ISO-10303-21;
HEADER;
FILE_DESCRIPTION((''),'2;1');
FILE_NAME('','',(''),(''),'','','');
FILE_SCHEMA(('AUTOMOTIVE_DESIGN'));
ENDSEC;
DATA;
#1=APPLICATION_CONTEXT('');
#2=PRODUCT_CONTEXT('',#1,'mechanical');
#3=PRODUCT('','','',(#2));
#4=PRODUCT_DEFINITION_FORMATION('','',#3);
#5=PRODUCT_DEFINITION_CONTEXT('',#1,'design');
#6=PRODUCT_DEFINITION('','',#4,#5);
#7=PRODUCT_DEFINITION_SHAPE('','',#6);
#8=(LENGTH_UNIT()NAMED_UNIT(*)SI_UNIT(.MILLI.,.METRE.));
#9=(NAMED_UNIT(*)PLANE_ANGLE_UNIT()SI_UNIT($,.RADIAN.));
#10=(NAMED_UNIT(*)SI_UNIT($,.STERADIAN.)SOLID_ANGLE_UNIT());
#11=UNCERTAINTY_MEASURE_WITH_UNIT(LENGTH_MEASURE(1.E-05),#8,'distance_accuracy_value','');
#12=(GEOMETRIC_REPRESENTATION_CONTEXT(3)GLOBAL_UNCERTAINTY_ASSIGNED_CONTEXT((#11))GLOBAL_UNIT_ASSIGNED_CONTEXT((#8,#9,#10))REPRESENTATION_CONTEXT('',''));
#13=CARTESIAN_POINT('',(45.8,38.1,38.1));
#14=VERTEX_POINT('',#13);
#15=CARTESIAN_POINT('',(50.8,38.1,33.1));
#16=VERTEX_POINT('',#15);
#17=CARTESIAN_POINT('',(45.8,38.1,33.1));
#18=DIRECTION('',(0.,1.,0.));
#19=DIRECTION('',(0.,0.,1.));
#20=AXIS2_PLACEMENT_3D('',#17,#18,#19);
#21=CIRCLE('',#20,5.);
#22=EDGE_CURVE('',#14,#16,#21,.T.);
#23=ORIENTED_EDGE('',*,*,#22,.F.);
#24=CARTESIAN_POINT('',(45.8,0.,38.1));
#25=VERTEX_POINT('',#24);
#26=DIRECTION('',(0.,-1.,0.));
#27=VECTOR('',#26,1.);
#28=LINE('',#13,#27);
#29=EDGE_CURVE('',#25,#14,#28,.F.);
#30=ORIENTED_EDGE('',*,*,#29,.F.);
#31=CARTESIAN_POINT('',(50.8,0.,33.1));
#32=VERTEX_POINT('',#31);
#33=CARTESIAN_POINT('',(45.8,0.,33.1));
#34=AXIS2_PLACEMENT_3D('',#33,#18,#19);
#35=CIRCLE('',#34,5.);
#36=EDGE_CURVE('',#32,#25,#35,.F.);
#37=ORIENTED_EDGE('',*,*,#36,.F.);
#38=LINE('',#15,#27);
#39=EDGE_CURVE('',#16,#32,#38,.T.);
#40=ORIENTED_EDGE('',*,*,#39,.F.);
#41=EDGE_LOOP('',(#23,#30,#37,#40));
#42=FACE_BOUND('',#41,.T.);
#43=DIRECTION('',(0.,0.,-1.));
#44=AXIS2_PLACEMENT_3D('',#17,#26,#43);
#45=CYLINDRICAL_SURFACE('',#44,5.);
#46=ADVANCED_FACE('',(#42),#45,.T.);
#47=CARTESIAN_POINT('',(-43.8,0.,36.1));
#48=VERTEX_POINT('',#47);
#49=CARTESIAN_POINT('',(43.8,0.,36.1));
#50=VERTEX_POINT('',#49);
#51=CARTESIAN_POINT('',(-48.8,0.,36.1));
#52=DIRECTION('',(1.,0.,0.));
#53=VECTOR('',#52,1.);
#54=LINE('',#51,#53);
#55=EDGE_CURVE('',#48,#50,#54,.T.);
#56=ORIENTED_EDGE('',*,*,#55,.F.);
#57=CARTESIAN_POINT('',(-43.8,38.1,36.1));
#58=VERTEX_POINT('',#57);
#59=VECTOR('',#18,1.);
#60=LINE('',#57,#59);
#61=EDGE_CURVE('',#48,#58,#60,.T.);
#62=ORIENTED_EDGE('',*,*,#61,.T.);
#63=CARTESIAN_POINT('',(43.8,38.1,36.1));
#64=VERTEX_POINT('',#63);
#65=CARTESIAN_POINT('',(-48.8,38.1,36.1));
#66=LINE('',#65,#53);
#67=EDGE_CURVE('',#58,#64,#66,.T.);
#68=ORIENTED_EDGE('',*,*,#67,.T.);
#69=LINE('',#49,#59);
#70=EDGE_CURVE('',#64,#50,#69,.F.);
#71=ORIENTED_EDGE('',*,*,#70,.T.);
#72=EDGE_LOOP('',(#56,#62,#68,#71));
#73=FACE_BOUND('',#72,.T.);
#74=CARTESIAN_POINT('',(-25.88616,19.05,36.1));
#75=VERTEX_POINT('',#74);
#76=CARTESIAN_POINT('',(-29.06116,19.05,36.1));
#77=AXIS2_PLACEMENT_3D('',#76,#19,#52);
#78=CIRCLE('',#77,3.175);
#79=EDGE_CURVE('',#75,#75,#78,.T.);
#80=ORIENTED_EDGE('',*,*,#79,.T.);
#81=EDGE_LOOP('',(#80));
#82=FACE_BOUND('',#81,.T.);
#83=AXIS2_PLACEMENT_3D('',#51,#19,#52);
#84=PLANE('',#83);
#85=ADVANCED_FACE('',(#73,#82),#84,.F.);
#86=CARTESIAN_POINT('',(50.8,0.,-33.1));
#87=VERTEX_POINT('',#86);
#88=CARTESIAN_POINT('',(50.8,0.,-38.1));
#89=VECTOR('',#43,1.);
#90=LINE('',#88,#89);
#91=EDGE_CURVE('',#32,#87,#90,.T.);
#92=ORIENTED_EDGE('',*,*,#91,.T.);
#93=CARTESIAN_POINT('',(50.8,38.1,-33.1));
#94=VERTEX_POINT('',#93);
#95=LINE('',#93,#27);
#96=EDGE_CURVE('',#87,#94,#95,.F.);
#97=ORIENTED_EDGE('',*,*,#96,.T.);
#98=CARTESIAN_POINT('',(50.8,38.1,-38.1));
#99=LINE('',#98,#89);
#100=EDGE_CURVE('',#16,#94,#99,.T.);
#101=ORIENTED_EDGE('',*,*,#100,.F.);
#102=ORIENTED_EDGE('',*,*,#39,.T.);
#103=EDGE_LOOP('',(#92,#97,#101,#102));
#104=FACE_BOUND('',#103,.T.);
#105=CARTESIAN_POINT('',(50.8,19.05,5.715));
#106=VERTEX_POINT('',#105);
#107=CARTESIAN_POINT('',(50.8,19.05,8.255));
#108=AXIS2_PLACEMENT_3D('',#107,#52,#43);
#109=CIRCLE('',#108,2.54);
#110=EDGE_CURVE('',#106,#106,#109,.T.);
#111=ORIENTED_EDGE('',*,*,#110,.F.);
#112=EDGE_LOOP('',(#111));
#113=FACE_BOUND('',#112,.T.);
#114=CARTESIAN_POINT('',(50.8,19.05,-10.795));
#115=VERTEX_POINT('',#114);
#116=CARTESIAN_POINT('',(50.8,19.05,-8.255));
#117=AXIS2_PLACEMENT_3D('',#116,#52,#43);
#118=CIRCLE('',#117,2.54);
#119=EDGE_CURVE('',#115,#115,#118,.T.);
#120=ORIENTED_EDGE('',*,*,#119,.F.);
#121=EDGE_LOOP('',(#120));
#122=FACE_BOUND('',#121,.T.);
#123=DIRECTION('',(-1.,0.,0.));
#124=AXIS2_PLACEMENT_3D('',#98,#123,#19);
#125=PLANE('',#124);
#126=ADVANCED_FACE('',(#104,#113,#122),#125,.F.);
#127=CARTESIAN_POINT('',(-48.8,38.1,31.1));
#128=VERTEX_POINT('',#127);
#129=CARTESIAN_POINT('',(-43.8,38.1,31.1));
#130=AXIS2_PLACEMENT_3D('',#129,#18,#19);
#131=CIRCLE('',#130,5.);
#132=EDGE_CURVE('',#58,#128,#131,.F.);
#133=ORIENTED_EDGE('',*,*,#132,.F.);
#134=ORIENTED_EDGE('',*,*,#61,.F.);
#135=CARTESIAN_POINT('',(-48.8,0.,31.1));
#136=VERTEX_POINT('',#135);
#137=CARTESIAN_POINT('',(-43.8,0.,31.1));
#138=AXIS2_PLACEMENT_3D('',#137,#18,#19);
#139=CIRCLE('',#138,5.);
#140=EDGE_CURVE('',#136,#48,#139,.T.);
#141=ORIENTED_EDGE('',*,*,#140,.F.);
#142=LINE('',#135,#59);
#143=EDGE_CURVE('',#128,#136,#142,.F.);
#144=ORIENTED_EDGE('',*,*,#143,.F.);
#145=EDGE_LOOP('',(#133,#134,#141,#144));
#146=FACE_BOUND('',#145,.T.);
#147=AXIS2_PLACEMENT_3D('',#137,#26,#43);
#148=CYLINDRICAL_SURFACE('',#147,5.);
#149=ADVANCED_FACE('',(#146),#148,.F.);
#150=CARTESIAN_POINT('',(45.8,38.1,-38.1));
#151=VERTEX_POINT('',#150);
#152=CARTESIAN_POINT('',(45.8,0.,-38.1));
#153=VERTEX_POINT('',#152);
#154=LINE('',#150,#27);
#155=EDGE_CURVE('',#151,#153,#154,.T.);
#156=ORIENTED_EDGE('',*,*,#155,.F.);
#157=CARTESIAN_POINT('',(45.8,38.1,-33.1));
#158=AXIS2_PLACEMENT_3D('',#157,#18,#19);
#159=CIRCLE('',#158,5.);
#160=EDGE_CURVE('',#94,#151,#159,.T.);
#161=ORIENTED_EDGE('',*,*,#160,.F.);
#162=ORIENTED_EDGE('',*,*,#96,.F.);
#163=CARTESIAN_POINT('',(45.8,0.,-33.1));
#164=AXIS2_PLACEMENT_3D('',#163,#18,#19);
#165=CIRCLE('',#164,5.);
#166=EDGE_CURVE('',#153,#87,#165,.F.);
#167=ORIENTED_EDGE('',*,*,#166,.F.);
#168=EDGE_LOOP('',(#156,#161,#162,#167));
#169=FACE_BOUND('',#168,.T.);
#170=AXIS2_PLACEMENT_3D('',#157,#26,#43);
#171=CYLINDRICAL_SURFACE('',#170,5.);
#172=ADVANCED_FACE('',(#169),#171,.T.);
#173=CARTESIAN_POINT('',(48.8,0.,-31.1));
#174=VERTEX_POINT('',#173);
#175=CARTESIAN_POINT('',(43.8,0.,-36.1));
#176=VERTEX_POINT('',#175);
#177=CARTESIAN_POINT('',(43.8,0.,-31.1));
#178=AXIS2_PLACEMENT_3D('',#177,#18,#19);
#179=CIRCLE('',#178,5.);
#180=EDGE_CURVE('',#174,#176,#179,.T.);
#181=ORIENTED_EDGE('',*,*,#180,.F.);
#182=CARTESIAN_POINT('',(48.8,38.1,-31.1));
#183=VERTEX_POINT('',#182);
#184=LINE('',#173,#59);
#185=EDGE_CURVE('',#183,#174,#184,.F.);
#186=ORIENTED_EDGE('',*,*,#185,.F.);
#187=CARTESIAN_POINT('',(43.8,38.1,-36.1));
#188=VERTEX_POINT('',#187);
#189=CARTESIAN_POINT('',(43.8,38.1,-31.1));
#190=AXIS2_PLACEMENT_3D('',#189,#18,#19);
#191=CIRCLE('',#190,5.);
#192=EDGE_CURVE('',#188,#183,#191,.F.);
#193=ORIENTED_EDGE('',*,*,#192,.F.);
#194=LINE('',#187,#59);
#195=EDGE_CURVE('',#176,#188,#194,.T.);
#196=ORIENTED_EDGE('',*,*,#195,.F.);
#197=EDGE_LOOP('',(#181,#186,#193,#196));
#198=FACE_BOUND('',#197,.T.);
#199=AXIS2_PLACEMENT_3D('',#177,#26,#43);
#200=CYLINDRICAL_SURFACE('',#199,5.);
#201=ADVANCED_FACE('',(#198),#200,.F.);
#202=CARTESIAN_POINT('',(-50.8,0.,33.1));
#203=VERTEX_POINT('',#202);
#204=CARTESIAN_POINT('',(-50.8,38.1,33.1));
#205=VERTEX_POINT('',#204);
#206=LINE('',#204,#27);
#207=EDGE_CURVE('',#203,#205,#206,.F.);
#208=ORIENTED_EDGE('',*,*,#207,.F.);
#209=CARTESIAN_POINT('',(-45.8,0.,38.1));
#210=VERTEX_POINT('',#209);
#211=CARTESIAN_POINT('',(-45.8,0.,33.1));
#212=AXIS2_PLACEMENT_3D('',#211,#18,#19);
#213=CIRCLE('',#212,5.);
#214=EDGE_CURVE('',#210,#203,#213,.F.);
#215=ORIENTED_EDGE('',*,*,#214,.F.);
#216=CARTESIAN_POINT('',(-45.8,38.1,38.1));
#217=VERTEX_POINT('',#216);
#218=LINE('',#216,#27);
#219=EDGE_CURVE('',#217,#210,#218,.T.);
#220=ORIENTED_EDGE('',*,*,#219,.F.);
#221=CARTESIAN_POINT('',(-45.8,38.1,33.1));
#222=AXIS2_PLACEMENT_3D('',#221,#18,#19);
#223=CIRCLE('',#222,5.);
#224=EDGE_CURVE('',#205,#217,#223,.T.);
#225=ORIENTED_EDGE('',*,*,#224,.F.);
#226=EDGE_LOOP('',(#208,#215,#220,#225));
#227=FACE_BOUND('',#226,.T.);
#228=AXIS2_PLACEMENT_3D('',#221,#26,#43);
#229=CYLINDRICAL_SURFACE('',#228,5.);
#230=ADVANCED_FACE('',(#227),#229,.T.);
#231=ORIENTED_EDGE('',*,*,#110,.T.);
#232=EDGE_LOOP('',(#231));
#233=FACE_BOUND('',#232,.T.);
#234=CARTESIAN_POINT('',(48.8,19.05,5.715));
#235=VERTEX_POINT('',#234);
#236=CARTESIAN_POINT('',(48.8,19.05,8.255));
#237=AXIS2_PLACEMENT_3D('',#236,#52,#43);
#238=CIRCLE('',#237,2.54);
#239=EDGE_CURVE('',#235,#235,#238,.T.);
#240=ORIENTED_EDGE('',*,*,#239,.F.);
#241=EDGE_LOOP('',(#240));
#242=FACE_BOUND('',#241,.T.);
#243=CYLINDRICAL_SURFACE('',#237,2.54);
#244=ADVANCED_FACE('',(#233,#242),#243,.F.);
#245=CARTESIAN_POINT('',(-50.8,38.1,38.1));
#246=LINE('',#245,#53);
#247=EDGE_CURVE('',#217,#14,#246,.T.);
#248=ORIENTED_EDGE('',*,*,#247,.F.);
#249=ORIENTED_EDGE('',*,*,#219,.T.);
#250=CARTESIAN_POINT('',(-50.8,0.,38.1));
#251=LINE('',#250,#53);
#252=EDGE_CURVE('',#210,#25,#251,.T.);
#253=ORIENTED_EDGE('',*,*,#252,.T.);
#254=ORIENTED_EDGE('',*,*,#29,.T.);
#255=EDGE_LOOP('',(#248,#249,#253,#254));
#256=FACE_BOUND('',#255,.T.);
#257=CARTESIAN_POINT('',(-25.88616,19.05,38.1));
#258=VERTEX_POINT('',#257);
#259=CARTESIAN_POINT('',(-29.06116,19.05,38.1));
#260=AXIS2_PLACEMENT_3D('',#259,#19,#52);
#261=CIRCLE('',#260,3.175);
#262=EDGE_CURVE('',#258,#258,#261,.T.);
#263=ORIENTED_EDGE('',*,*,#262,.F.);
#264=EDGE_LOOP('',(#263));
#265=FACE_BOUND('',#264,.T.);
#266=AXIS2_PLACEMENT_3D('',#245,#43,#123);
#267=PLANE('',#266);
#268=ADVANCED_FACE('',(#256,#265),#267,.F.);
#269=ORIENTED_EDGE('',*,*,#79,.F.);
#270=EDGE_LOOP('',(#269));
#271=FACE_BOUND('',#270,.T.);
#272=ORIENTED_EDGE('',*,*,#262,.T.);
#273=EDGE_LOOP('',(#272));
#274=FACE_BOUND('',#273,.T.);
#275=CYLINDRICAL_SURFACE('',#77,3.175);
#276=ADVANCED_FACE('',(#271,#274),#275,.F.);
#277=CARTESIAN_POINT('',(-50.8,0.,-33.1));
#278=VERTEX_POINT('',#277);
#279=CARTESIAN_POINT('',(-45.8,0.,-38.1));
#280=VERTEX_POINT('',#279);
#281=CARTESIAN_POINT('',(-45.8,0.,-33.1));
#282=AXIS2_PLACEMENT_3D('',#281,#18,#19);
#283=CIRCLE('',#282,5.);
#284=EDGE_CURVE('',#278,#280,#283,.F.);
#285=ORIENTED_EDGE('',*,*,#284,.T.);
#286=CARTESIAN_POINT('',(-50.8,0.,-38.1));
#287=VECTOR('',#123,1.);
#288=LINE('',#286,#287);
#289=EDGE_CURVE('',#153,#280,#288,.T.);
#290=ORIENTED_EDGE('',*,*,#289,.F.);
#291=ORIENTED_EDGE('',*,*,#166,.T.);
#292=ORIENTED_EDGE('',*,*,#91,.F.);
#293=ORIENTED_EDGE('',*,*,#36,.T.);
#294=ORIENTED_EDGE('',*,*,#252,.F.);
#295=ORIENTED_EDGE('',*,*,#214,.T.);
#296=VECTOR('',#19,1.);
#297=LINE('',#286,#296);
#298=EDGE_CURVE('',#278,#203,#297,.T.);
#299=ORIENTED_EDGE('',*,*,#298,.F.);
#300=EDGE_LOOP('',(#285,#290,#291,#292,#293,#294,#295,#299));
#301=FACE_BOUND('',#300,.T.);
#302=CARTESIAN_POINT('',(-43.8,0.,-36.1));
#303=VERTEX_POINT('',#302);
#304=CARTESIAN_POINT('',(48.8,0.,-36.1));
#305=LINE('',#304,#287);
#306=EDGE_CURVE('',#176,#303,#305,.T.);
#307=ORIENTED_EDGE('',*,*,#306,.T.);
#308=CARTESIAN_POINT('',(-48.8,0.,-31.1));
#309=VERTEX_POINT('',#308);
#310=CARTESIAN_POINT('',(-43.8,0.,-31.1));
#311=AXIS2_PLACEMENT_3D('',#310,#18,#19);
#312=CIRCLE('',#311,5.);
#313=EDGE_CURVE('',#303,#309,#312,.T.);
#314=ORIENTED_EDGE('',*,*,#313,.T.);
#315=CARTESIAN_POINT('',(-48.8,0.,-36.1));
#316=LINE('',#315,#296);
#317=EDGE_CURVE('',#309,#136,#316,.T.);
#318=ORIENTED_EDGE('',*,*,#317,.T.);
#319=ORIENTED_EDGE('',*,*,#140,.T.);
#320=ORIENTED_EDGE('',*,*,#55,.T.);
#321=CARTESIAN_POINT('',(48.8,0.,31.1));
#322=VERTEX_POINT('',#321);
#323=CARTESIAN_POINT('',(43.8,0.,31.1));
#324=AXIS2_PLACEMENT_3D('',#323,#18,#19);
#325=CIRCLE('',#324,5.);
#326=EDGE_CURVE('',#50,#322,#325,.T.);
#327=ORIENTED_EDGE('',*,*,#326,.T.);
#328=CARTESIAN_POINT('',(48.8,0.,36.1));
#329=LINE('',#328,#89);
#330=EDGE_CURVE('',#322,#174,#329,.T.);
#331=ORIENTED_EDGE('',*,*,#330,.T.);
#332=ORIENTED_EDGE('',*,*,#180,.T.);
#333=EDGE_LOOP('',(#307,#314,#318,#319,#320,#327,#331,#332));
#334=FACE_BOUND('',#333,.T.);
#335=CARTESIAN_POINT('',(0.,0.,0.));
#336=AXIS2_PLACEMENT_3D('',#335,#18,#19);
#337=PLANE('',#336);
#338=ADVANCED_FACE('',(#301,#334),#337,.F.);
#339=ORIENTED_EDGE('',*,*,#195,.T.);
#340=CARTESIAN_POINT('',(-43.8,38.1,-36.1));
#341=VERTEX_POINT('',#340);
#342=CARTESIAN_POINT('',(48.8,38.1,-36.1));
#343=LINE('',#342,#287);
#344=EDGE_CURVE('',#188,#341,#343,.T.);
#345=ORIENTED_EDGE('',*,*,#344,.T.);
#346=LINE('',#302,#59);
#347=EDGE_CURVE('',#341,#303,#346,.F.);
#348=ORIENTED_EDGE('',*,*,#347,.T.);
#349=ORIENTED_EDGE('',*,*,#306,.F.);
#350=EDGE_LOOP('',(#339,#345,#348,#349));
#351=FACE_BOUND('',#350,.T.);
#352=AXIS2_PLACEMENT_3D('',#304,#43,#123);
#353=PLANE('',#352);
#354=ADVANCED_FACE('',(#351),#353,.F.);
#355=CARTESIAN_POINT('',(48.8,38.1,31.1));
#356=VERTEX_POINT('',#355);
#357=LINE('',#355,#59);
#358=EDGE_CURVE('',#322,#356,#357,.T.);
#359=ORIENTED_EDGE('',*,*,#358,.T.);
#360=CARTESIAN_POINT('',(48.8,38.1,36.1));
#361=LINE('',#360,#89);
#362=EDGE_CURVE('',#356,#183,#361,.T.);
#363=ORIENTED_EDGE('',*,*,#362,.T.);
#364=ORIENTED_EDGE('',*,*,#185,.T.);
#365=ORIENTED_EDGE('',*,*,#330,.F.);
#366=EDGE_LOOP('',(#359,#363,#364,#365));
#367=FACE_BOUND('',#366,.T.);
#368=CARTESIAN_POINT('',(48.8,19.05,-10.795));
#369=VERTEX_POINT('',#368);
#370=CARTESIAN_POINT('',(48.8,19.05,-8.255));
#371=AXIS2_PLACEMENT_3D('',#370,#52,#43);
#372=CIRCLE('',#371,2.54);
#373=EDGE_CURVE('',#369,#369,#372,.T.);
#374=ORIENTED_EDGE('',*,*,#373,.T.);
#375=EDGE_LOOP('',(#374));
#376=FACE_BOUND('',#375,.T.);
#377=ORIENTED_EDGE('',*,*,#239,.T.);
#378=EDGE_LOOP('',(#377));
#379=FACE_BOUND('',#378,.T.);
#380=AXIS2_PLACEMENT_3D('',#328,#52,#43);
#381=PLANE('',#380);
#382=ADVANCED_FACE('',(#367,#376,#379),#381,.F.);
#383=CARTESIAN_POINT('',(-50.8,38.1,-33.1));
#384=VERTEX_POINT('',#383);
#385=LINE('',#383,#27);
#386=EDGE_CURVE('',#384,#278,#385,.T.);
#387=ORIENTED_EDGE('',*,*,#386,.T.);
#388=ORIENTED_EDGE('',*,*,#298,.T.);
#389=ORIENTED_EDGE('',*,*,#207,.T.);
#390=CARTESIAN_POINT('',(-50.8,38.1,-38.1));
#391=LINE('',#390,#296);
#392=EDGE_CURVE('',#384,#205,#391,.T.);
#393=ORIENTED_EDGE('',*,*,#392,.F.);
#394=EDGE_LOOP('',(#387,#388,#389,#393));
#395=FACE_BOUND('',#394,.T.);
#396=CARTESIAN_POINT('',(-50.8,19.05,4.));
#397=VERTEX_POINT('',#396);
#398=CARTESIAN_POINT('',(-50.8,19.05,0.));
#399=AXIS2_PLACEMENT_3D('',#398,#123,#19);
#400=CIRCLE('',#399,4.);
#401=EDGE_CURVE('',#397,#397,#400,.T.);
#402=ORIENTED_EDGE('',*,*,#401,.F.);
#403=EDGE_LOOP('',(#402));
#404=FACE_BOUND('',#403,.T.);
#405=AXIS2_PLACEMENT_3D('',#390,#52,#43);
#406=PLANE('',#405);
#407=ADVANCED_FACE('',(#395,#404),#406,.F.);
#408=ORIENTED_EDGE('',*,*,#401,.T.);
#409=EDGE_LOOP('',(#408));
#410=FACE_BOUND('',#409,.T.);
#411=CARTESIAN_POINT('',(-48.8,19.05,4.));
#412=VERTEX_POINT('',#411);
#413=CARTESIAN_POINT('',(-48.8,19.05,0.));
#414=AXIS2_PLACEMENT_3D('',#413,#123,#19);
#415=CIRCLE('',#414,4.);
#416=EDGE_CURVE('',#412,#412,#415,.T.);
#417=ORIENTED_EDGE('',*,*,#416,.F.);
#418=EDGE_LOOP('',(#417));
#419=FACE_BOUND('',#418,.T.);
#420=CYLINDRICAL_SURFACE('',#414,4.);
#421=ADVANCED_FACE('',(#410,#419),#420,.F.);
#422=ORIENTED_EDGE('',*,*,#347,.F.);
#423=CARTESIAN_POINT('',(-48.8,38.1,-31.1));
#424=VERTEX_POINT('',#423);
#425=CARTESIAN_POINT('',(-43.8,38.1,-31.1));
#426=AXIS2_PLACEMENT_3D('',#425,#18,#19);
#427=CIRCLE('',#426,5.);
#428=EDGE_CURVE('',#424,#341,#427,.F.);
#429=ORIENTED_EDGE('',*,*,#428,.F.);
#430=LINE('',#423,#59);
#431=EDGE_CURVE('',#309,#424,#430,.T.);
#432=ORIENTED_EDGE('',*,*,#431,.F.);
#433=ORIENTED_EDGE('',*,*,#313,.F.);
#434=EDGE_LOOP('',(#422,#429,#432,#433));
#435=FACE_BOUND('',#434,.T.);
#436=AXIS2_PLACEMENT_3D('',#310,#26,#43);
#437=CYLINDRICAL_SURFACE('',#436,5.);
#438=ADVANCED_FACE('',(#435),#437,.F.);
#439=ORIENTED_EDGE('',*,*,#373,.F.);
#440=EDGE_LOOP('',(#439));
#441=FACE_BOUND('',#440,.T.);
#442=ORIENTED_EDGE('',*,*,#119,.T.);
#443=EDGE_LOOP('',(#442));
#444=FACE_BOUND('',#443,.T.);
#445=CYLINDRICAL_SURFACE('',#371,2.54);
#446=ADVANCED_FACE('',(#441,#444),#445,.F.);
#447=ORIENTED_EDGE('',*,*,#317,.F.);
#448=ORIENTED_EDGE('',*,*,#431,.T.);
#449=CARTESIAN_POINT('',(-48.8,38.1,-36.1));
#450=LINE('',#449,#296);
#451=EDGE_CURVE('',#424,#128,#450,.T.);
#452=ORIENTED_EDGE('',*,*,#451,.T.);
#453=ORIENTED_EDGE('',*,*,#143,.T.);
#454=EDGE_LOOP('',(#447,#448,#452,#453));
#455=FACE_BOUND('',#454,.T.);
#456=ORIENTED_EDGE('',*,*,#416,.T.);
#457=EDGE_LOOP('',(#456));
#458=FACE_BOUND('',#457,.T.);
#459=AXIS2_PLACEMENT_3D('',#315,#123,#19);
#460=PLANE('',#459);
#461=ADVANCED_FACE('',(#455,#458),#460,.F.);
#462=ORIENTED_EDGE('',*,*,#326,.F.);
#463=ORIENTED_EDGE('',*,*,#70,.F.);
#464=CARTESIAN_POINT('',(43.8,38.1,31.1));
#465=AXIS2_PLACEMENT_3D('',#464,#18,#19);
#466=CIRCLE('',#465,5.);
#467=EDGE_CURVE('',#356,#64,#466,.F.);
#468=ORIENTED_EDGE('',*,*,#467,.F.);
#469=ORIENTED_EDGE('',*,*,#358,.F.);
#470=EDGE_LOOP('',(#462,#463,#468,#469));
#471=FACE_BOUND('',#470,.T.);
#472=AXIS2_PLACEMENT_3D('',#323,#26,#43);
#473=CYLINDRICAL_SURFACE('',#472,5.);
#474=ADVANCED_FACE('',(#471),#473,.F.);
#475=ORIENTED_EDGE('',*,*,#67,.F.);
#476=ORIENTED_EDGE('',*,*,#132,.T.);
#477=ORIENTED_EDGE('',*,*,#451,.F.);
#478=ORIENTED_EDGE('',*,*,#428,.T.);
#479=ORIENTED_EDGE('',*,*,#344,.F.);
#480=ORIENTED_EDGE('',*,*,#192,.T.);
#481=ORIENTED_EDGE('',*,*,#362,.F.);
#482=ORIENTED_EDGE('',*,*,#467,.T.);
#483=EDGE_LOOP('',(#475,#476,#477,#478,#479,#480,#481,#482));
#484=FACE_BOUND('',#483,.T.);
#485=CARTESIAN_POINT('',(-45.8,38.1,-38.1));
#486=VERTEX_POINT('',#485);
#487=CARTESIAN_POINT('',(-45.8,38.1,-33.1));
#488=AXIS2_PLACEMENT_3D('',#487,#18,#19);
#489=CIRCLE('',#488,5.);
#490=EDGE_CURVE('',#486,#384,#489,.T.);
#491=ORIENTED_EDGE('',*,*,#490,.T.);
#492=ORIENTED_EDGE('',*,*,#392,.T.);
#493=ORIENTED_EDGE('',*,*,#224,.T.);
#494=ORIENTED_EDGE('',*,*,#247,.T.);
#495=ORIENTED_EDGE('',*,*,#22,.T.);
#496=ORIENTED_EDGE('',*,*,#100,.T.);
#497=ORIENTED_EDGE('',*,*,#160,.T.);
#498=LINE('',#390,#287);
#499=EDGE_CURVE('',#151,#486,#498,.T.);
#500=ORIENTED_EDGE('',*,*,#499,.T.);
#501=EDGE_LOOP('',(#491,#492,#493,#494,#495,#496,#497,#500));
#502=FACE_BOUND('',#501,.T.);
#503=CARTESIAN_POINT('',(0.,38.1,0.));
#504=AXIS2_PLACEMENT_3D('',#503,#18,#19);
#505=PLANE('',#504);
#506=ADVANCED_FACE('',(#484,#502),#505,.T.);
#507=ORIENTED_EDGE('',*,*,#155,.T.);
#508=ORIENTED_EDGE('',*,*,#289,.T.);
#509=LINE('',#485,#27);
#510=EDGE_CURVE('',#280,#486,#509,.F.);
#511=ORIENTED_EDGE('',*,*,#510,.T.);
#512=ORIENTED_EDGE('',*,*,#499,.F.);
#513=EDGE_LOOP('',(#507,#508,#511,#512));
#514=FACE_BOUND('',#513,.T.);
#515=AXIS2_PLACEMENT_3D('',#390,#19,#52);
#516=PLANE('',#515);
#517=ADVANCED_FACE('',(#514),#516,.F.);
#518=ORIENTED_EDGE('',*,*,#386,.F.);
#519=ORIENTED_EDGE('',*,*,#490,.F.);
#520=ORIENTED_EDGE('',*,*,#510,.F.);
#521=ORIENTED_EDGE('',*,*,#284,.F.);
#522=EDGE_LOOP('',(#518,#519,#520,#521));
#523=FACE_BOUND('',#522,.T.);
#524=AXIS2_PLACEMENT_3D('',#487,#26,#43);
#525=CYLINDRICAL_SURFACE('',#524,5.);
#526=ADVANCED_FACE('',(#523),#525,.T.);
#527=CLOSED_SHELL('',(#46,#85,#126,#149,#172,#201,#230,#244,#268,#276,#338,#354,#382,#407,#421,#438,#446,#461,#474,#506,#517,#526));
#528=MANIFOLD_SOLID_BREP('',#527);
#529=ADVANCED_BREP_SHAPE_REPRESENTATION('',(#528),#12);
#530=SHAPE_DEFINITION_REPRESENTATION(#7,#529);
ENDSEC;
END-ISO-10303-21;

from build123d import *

# Parameters (mm, degrees)
SKETCH1_W           = 101.6
SKETCH1_H           = 76.2
BOSS_EXTRUDE1_DEPTH = 38.1
SKETCH3_W           = 97.6
SKETCH3_H           = 72.2
CUT_EXTRUDE1_DEPTH  = 75.053089065
SKETCH7_R           = 2.54
CUT_EXTRUDE2_DEPTH  = 2
SKETCH9_R           = 4
CUT_EXTRUDE3_DEPTH  = 2
SKETCH11_R          = 3.175
CUT_EXTRUDE4_DEPTH  = 2
FILLET1_R           = 5
FILLET2_R           = 5


with BuildPart() as part:
    # Sketch1 → Boss-Extrude1 (new body)
    with BuildSketch(Plane(origin=(0, 0, 0), x_dir=(1, 0, 0), z_dir=(0, 1, 0))):
        Rectangle(SKETCH1_W, SKETCH1_H)
    extrude(amount=BOSS_EXTRUDE1_DEPTH)

    # Sketch3 → Cut-Extrude1 (cut, through all)
    with BuildSketch(Plane(origin=(0, 38.1, 0), x_dir=(1, 0, 0), z_dir=(0, 1, 0))):
        Rectangle(SKETCH3_W, SKETCH3_H)
    extrude(amount=-CUT_EXTRUDE1_DEPTH, mode=Mode.SUBTRACT)

    # Sketch7 → Cut-Extrude2 (cut)
    with BuildSketch(Plane(origin=(50.8, 0, 0), x_dir=(0, 0, -1), z_dir=(1, 0, 0))):
        with Locations((-8.255, 19.05)):
            Circle(SKETCH7_R)
        with Locations((8.255, 19.05)):
            Circle(SKETCH7_R)
    extrude(amount=-CUT_EXTRUDE2_DEPTH, mode=Mode.SUBTRACT)

    # Sketch9 → Cut-Extrude3 (cut)
    with BuildSketch(Plane.ZY.offset(50.8)):
        with Locations((0, 19.05)):
            Circle(SKETCH9_R)
    extrude(amount=-CUT_EXTRUDE3_DEPTH, mode=Mode.SUBTRACT)

    # Sketch11 → Cut-Extrude4 (cut)
    with BuildSketch(Plane.XY.offset(38.1)):
        with Locations((-29.061160139, 19.05)):
            Circle(SKETCH11_R)
    extrude(amount=-CUT_EXTRUDE4_DEPTH, mode=Mode.SUBTRACT)

    # Fillet1
    fillet1_edges = [part.edges().sort_by_distance(p)[0] for p in [
        (50.8, 19.05, 38.1),
        (-50.8, 19.05, 38.1),
        (-50.8, 19.05, -38.1),
        (50.8, 19.05, -38.1),
    ]]
    fillet(fillet1_edges, radius=FILLET1_R)

    # Fillet2
    fillet2_edges = [part.edges().sort_by_distance(p)[0] for p in [
        (48.8, 19.05, 36.1),
        (-48.8, 19.05, 36.1),
        (-48.8, 19.05, -36.1),
        (48.8, 19.05, -36.1),
    ]]
    fillet(fillet2_edges, radius=FILLET2_R)


solid = part.part
